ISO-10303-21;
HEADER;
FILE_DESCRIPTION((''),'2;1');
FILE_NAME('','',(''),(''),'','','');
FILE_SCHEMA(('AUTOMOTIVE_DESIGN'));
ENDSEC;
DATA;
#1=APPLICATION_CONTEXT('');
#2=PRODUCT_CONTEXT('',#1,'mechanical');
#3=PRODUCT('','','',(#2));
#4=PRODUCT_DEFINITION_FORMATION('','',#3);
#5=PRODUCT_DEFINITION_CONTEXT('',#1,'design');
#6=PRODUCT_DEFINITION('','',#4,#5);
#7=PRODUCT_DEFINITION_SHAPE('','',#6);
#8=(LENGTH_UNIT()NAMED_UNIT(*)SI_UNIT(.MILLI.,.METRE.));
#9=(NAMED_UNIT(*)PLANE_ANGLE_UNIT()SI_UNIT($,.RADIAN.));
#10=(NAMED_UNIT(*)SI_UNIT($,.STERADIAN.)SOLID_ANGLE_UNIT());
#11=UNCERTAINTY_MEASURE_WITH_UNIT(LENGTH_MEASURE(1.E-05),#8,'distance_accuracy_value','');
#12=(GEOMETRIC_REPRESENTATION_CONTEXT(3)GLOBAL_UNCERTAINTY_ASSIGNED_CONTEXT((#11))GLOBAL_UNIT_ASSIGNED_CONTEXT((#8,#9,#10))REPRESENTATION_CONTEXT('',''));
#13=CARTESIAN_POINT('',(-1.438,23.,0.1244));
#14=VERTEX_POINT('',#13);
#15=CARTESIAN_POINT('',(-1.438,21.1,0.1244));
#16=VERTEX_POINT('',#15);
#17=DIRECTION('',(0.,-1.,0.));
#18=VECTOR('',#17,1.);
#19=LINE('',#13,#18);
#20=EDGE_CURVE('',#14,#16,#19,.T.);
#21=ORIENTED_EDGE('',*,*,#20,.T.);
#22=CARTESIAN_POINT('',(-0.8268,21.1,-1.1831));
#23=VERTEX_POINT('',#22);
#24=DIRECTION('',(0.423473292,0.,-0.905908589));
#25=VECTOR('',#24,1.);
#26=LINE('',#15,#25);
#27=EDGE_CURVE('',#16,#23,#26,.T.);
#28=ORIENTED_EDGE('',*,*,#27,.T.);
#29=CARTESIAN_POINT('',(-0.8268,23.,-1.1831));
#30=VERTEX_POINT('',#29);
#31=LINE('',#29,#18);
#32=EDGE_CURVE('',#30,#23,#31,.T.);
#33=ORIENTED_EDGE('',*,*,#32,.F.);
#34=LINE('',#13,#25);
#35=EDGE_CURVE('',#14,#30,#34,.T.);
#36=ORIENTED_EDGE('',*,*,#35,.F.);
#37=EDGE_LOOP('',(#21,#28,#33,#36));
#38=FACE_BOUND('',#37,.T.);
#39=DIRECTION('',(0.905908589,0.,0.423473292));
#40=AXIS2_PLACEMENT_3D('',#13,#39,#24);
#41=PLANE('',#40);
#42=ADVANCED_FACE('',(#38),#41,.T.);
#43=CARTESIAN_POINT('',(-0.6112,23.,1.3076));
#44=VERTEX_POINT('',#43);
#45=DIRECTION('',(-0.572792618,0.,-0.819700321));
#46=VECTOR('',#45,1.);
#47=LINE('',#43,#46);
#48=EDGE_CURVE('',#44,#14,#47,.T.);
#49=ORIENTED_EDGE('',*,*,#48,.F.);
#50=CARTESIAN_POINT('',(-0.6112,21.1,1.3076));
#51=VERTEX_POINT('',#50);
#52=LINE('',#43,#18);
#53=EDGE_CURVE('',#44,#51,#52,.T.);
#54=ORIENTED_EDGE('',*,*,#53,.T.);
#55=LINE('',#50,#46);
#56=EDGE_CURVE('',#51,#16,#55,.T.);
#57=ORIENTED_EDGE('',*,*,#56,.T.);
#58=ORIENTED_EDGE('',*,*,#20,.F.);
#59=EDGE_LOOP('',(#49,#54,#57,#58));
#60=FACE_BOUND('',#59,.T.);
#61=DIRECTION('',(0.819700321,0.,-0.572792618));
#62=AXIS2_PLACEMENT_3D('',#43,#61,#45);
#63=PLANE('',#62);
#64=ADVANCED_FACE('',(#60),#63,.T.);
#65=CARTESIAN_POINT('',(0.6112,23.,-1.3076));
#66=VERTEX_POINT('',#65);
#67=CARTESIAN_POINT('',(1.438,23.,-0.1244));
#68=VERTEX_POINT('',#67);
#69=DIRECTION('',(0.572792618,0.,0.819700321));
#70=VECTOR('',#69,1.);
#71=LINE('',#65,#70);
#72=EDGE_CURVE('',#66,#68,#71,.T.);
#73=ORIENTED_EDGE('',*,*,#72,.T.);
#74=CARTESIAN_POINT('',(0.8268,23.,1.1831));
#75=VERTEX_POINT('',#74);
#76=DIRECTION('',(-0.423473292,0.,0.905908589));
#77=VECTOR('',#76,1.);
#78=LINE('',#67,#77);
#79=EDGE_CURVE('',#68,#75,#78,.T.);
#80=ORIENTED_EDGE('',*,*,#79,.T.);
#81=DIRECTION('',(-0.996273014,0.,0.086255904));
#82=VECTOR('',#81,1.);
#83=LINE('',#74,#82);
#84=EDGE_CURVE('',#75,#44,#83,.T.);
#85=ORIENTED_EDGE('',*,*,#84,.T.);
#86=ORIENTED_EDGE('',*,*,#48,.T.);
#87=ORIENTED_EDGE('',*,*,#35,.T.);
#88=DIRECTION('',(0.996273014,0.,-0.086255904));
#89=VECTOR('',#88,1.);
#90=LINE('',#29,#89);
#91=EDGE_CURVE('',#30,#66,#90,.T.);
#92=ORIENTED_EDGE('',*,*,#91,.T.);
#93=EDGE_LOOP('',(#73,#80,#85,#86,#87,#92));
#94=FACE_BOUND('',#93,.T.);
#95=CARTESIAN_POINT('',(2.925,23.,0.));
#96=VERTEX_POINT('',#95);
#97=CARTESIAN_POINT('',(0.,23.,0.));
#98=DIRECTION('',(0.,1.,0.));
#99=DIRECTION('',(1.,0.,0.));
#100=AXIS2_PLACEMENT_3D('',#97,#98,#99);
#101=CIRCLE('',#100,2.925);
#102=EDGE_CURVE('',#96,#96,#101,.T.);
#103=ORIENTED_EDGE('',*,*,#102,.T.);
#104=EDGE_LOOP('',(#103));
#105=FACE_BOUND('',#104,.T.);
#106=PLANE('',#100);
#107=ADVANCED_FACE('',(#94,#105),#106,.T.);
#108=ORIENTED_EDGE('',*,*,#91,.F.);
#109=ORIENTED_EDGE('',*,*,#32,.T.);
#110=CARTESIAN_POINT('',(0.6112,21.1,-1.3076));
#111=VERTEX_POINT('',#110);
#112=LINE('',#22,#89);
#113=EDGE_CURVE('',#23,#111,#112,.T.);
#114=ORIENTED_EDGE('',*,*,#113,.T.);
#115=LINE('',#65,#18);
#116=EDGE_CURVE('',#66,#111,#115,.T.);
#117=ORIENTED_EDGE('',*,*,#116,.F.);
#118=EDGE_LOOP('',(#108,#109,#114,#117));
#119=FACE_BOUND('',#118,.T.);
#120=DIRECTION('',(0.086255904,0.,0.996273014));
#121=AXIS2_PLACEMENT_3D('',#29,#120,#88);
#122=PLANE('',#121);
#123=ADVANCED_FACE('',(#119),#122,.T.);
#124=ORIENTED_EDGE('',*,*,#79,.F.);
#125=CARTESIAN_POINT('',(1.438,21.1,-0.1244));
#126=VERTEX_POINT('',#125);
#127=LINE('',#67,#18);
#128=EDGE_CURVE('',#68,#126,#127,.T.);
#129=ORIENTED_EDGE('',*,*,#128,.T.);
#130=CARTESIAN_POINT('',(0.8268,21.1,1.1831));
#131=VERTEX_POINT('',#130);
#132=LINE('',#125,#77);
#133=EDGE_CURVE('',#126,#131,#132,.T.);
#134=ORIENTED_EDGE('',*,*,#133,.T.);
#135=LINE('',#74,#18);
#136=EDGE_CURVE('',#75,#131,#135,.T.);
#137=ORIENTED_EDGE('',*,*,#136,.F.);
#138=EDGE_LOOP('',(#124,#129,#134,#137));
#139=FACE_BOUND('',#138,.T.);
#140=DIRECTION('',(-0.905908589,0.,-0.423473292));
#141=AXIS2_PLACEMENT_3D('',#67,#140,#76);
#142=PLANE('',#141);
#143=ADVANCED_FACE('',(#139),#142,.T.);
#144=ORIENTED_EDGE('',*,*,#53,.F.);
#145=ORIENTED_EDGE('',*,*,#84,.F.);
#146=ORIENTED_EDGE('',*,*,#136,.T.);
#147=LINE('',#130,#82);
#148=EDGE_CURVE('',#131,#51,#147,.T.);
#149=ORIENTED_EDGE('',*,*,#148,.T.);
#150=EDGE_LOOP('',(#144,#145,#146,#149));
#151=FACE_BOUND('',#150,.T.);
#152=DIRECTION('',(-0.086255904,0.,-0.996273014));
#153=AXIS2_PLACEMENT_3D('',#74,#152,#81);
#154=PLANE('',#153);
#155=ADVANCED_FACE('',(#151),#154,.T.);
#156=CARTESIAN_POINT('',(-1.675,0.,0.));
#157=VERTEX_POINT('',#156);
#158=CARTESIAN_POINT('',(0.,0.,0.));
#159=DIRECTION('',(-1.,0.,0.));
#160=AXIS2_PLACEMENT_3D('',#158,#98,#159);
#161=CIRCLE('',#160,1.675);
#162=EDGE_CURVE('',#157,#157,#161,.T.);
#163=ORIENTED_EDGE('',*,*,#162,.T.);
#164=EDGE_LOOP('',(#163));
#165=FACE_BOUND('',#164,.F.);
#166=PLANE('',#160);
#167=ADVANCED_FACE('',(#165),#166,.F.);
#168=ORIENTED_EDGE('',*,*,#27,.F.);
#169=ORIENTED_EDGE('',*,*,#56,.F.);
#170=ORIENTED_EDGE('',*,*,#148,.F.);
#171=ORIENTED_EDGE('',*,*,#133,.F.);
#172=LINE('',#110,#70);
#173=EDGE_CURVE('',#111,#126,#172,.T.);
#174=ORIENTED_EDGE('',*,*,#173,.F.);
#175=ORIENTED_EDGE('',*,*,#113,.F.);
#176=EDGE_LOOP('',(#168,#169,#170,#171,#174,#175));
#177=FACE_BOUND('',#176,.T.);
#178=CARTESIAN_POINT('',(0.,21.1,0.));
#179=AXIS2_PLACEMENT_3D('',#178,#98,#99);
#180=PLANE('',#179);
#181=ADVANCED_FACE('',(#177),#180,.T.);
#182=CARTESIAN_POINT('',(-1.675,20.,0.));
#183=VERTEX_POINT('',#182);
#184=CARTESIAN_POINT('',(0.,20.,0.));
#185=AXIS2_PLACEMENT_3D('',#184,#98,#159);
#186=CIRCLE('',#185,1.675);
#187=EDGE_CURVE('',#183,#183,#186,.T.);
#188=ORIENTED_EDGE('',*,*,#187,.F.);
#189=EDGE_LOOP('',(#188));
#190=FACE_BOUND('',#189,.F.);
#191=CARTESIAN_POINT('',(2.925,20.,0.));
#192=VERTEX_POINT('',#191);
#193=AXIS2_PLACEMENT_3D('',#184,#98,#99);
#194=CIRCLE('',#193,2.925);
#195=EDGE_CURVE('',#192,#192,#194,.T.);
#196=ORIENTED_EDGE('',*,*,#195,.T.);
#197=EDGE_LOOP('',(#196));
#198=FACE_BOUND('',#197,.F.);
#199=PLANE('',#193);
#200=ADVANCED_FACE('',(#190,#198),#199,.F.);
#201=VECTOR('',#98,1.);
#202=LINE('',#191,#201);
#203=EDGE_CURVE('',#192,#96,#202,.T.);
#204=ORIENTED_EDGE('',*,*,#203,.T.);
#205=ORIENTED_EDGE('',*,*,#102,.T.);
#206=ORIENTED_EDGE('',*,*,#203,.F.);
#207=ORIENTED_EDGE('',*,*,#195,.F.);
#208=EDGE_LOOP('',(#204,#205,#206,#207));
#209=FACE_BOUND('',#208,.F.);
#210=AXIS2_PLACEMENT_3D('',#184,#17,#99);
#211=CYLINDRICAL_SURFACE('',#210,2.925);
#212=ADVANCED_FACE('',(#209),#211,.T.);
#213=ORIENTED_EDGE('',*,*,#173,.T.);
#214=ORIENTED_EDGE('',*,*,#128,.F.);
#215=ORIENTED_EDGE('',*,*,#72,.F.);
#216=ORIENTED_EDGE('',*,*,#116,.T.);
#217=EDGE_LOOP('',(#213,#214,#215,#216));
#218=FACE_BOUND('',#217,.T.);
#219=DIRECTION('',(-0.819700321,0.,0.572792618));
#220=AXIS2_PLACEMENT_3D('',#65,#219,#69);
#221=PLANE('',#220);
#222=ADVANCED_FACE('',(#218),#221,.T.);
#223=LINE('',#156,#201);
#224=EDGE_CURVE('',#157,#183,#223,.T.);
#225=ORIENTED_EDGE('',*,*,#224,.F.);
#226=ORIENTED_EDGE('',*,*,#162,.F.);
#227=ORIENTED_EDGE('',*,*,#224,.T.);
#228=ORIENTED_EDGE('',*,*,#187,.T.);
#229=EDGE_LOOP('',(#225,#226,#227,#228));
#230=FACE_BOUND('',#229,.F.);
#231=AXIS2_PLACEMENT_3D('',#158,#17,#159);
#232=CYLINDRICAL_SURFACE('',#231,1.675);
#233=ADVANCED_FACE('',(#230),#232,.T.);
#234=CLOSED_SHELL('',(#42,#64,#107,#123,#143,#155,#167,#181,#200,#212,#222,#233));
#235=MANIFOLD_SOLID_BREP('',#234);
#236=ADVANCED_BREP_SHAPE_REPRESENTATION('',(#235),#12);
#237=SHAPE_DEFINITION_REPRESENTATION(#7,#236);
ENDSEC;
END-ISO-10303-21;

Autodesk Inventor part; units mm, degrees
ref_plane "YZ Plane" through (0, 0, 0) normal (1, 0, 0) x (0, 1, 0)
ref_plane "XZ Plane" through (0, 0, 0) normal (0, 1, 0) x (-1, 0, 0)
ref_plane "XY Plane" through (0, 0, 0) normal (0, 0, 1) x (1, 0, 0)
sketch "Sketch1" plane through (0, 0, 0) normal (0, 1, 0) x (-1, 0, 0)
  circle A0 centre (0, 0) radius 1.675
  dimension "d0" = 3.35
extrude "Extrusion1" add sketch "Sketch1" along normal blind 20
sketch "Sketch2" plane through (0, 20, 0) normal (0, 1, 0) x (1, 0, 0)
  circle A0 centre (0, 0) radius 1.675 projected
  circle A1 centre (0, 0) radius 2.925
  dimension "d3" = 5.85
extrude "Extrusion2" add sketch "Sketch2" along normal blind 3 contours A0 | A1
sketch "Sketch3" plane through (0, 23, 0) normal (0, 1, 0) x (1, 0, 0)
  line L0 (-0.8268, 1.1831) -> (0.6112, 1.3076)
  line L1 (0.6112, 1.3076) -> (1.438, 0.1244)
  line L2 (1.438, 0.1244) -> (0.8268, -1.1831)
  line L3 (0.8268, -1.1831) -> (-0.6112, -1.3076)
  line L4 (-0.6112, -1.3076) -> (-1.438, -0.1244)
  line L5 (-1.438, -0.1244) -> (-0.8268, 1.1831)
  point P0 (0, 0)
  point P1 (0, 0)
  dimension "d6" = 2.5
extrude "Extrusion3" cut sketch "Sketch3" against normal blind 1.9
equation "\"d0\" = M3_A"
equation "\"d3\" = M3_B"
equation "\"M3_A\" = 3.35"
equation "\"M3_B\" = 5.85"
properties part number "M3_SCREW_20MM"
